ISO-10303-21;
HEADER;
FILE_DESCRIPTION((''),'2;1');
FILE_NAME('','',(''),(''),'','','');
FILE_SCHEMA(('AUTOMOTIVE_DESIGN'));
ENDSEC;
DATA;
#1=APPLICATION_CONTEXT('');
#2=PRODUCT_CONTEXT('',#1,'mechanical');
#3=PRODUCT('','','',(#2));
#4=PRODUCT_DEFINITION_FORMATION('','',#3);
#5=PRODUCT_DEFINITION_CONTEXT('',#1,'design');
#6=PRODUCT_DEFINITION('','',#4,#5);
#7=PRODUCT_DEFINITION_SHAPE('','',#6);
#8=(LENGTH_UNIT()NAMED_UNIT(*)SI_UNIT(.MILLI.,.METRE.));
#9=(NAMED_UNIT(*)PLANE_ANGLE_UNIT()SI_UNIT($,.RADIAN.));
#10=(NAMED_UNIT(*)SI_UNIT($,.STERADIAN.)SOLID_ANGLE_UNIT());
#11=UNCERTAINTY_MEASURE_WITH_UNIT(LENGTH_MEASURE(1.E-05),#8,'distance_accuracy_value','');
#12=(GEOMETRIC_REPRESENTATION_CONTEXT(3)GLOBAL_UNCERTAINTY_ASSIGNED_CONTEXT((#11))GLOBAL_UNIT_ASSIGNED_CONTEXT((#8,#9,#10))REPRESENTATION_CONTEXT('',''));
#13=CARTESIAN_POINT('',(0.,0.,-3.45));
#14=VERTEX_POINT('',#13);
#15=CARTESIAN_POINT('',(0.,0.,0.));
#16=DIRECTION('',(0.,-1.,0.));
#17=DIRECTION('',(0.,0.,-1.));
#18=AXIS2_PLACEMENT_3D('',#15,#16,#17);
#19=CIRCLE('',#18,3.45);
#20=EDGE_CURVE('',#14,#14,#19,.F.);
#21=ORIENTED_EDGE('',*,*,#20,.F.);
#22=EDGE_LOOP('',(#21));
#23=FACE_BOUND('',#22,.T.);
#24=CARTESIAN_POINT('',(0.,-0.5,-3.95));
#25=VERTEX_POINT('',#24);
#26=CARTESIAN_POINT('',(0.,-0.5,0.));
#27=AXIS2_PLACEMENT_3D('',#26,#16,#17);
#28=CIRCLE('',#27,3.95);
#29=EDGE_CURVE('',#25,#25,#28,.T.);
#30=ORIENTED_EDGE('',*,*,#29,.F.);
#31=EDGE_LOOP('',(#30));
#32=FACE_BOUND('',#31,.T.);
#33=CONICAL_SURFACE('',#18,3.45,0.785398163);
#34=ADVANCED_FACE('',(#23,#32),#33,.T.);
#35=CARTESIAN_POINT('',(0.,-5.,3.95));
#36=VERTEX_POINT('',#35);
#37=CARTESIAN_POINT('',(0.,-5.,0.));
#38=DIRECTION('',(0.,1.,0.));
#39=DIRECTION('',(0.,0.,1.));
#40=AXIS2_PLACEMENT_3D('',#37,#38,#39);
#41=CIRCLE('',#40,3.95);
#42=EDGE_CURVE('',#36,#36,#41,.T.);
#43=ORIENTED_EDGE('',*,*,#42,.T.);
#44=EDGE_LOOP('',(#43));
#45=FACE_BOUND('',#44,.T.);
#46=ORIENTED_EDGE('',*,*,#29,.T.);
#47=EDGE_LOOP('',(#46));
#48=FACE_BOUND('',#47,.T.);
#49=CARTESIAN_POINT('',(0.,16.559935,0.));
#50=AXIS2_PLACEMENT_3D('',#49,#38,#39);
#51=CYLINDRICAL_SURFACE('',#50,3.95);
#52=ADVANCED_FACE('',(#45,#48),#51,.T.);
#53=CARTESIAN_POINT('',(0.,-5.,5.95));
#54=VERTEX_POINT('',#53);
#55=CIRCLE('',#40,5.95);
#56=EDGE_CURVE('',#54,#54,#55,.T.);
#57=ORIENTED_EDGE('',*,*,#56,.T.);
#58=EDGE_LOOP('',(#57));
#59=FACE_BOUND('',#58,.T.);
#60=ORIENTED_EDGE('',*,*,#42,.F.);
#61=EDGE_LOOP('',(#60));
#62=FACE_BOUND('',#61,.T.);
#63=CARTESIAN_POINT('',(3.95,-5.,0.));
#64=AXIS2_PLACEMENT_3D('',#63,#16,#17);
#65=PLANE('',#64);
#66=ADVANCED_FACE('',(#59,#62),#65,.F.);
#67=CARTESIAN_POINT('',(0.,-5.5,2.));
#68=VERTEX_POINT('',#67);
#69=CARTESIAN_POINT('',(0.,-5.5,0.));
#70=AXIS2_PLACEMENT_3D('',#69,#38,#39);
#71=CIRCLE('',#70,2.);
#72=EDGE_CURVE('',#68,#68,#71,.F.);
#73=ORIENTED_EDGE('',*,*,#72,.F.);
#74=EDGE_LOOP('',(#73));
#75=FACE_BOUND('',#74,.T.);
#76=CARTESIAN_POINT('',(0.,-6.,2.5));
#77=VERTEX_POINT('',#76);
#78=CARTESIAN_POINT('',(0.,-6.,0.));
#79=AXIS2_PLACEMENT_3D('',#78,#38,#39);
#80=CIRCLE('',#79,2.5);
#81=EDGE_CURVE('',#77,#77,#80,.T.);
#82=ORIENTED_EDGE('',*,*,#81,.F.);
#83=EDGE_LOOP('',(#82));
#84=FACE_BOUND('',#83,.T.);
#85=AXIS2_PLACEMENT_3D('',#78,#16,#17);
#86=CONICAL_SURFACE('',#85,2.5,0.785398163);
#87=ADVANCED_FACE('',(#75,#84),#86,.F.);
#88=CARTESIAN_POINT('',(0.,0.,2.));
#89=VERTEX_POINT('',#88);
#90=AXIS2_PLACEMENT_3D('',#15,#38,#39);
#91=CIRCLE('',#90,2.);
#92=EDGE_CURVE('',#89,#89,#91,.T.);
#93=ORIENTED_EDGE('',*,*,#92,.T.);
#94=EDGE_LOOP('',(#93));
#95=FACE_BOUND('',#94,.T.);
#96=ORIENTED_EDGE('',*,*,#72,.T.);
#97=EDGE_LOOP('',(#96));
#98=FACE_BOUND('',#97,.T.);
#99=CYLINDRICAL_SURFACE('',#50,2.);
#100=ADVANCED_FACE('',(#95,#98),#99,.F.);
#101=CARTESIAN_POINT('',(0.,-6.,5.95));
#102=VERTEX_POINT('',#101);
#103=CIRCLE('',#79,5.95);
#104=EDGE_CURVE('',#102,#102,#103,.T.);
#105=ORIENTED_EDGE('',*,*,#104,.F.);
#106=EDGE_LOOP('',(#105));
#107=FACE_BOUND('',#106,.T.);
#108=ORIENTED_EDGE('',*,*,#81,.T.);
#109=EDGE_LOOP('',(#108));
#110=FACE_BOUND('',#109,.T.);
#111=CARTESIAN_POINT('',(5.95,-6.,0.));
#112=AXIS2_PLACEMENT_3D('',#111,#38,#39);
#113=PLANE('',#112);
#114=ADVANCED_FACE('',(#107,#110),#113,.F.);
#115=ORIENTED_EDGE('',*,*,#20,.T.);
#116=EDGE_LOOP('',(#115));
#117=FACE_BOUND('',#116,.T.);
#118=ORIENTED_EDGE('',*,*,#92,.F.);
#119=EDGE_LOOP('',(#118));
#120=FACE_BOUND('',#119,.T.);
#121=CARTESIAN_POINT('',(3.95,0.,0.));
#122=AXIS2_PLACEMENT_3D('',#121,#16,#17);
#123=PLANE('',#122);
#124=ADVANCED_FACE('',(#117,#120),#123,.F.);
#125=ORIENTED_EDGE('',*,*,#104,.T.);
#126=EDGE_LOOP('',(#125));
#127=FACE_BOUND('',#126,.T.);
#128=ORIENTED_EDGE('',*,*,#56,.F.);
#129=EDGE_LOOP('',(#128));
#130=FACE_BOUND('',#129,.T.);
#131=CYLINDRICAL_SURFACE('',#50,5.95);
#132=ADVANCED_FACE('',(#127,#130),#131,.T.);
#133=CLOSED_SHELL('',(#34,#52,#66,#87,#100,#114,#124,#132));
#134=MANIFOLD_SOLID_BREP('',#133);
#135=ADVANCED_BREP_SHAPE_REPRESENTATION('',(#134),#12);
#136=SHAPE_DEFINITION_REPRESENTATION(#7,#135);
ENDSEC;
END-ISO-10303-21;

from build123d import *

# Parameters (mm, degrees)
FASE1_SIZE = 0.5
FASE2_SIZE = 0.5


with BuildPart() as part:
    # Skizze1 → Rotation1 (revolve)
    with BuildSketch(Plane.XY, mode=Mode.PRIVATE) as rotation1_sk:
        Polygon((2, 0), (2, -6), (5.95, -6), (5.95, -5), (3.95, -5), (3.95, 0), align=None)
    revolve(rotation1_sk.sketch.rotate(Axis((0, 16.559935445, 0), (0, -1, 0)), 90), axis=Axis((0, 16.559935445, 0), (0, -1, 0)))

    # Fase1
    fase1_edges = [part.edges().sort_by_distance(p)[0] for p in [
        (0, 0, -3.95),
    ]]
    chamfer(fase1_edges, length=FASE1_SIZE)

    # Fase2
    fase2_edges = [part.edges().sort_by_distance(p)[0] for p in [
        (0, -6, -2),
    ]]
    chamfer(fase2_edges, length=FASE2_SIZE)


solid = part.part
